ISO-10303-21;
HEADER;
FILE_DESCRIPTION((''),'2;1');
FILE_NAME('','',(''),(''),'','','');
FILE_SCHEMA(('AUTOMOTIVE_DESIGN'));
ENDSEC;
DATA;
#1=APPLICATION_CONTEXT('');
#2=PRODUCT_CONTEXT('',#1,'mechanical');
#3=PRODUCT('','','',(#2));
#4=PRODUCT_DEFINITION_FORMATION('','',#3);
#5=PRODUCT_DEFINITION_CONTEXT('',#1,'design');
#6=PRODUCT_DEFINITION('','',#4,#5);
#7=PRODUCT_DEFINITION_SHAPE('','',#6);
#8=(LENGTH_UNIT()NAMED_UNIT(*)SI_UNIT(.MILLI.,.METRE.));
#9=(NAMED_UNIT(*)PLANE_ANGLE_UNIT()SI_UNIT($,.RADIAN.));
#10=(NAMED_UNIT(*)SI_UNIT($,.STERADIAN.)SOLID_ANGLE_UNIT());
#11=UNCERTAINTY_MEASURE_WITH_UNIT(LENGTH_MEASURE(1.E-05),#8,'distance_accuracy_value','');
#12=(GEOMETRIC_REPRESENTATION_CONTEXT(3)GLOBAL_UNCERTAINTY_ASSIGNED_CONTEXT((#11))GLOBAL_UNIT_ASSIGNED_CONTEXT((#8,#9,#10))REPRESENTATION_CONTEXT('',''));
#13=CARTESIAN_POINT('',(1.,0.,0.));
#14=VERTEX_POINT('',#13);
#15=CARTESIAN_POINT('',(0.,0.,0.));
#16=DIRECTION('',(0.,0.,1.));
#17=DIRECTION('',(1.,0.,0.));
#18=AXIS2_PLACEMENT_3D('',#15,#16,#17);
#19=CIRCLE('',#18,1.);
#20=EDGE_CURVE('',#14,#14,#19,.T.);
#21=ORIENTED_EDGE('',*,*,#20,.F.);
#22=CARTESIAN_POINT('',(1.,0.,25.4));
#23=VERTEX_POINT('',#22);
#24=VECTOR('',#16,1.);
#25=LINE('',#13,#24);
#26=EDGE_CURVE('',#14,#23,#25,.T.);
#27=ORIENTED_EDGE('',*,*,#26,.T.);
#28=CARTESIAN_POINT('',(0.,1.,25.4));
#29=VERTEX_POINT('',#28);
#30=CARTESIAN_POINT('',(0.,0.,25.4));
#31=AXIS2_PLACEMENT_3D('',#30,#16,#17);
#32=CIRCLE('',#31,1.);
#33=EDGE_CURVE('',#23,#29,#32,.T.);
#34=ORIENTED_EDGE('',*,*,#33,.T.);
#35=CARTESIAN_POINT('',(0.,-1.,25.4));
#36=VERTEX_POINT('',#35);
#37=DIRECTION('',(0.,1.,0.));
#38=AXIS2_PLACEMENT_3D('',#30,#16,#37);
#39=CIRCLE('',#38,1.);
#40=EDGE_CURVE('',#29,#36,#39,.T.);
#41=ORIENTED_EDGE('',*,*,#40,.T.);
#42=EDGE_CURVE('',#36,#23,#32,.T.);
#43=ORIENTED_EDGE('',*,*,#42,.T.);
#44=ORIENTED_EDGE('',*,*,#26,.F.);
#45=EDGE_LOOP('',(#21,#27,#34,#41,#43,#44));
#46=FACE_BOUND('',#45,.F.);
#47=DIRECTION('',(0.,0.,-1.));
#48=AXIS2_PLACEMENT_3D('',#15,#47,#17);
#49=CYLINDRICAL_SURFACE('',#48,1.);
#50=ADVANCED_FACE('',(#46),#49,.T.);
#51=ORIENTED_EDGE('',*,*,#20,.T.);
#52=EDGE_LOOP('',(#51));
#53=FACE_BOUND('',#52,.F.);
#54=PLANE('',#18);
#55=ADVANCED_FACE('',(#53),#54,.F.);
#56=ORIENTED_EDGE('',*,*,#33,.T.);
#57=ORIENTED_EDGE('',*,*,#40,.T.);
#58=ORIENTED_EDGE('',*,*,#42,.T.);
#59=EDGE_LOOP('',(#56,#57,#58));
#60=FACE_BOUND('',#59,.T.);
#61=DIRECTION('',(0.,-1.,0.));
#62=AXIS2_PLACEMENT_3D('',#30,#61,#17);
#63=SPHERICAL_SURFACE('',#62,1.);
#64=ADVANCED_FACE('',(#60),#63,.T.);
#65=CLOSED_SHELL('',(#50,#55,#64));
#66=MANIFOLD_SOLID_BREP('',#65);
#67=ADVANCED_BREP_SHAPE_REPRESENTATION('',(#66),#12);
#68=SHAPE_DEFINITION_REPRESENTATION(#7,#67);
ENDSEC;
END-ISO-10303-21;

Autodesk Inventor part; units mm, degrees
ref_plane "YZ Plane" through (0, 0, 0) normal (1, 0, 0) x (0, 1, 0)
ref_plane "XZ Plane" through (0, 0, 0) normal (0, 1, 0) x (-1, 0, 0)
ref_plane "XY Plane" through (0, 0, 0) normal (0, 0, 1) x (1, 0, 0)
sketch "Sketch1" plane through (0, 0, 0) normal (0, 0, 1) x (1, 0, 0)
  circle A0 centre (0, 0) radius 1
  dimension "d0" = 2
extrude "Extrusion1" add sketch "Sketch1" along normal blind 25.4
sketch "Sketch4" plane through (0, 0, 0) normal (1, 0, 0) x (0, 1, 0)
  line L0 (1, 25.4) -> (-1, 25.4) projected
  arc A0 (1, 25.4) -> (-1, 25.4) centre (0, 25.4) ccw
  line L1 (1, 0) -> (1, 25.4) projected
  point P0 (0, 0)
revolve "Revolution1" add sketch "Sketch4" angle 180 mid plane about axis through (0, 1, 25.4) along (0, -1, 0)
properties part number "2mmToSeal" material "Brass, Soft Yellow, Welded"
